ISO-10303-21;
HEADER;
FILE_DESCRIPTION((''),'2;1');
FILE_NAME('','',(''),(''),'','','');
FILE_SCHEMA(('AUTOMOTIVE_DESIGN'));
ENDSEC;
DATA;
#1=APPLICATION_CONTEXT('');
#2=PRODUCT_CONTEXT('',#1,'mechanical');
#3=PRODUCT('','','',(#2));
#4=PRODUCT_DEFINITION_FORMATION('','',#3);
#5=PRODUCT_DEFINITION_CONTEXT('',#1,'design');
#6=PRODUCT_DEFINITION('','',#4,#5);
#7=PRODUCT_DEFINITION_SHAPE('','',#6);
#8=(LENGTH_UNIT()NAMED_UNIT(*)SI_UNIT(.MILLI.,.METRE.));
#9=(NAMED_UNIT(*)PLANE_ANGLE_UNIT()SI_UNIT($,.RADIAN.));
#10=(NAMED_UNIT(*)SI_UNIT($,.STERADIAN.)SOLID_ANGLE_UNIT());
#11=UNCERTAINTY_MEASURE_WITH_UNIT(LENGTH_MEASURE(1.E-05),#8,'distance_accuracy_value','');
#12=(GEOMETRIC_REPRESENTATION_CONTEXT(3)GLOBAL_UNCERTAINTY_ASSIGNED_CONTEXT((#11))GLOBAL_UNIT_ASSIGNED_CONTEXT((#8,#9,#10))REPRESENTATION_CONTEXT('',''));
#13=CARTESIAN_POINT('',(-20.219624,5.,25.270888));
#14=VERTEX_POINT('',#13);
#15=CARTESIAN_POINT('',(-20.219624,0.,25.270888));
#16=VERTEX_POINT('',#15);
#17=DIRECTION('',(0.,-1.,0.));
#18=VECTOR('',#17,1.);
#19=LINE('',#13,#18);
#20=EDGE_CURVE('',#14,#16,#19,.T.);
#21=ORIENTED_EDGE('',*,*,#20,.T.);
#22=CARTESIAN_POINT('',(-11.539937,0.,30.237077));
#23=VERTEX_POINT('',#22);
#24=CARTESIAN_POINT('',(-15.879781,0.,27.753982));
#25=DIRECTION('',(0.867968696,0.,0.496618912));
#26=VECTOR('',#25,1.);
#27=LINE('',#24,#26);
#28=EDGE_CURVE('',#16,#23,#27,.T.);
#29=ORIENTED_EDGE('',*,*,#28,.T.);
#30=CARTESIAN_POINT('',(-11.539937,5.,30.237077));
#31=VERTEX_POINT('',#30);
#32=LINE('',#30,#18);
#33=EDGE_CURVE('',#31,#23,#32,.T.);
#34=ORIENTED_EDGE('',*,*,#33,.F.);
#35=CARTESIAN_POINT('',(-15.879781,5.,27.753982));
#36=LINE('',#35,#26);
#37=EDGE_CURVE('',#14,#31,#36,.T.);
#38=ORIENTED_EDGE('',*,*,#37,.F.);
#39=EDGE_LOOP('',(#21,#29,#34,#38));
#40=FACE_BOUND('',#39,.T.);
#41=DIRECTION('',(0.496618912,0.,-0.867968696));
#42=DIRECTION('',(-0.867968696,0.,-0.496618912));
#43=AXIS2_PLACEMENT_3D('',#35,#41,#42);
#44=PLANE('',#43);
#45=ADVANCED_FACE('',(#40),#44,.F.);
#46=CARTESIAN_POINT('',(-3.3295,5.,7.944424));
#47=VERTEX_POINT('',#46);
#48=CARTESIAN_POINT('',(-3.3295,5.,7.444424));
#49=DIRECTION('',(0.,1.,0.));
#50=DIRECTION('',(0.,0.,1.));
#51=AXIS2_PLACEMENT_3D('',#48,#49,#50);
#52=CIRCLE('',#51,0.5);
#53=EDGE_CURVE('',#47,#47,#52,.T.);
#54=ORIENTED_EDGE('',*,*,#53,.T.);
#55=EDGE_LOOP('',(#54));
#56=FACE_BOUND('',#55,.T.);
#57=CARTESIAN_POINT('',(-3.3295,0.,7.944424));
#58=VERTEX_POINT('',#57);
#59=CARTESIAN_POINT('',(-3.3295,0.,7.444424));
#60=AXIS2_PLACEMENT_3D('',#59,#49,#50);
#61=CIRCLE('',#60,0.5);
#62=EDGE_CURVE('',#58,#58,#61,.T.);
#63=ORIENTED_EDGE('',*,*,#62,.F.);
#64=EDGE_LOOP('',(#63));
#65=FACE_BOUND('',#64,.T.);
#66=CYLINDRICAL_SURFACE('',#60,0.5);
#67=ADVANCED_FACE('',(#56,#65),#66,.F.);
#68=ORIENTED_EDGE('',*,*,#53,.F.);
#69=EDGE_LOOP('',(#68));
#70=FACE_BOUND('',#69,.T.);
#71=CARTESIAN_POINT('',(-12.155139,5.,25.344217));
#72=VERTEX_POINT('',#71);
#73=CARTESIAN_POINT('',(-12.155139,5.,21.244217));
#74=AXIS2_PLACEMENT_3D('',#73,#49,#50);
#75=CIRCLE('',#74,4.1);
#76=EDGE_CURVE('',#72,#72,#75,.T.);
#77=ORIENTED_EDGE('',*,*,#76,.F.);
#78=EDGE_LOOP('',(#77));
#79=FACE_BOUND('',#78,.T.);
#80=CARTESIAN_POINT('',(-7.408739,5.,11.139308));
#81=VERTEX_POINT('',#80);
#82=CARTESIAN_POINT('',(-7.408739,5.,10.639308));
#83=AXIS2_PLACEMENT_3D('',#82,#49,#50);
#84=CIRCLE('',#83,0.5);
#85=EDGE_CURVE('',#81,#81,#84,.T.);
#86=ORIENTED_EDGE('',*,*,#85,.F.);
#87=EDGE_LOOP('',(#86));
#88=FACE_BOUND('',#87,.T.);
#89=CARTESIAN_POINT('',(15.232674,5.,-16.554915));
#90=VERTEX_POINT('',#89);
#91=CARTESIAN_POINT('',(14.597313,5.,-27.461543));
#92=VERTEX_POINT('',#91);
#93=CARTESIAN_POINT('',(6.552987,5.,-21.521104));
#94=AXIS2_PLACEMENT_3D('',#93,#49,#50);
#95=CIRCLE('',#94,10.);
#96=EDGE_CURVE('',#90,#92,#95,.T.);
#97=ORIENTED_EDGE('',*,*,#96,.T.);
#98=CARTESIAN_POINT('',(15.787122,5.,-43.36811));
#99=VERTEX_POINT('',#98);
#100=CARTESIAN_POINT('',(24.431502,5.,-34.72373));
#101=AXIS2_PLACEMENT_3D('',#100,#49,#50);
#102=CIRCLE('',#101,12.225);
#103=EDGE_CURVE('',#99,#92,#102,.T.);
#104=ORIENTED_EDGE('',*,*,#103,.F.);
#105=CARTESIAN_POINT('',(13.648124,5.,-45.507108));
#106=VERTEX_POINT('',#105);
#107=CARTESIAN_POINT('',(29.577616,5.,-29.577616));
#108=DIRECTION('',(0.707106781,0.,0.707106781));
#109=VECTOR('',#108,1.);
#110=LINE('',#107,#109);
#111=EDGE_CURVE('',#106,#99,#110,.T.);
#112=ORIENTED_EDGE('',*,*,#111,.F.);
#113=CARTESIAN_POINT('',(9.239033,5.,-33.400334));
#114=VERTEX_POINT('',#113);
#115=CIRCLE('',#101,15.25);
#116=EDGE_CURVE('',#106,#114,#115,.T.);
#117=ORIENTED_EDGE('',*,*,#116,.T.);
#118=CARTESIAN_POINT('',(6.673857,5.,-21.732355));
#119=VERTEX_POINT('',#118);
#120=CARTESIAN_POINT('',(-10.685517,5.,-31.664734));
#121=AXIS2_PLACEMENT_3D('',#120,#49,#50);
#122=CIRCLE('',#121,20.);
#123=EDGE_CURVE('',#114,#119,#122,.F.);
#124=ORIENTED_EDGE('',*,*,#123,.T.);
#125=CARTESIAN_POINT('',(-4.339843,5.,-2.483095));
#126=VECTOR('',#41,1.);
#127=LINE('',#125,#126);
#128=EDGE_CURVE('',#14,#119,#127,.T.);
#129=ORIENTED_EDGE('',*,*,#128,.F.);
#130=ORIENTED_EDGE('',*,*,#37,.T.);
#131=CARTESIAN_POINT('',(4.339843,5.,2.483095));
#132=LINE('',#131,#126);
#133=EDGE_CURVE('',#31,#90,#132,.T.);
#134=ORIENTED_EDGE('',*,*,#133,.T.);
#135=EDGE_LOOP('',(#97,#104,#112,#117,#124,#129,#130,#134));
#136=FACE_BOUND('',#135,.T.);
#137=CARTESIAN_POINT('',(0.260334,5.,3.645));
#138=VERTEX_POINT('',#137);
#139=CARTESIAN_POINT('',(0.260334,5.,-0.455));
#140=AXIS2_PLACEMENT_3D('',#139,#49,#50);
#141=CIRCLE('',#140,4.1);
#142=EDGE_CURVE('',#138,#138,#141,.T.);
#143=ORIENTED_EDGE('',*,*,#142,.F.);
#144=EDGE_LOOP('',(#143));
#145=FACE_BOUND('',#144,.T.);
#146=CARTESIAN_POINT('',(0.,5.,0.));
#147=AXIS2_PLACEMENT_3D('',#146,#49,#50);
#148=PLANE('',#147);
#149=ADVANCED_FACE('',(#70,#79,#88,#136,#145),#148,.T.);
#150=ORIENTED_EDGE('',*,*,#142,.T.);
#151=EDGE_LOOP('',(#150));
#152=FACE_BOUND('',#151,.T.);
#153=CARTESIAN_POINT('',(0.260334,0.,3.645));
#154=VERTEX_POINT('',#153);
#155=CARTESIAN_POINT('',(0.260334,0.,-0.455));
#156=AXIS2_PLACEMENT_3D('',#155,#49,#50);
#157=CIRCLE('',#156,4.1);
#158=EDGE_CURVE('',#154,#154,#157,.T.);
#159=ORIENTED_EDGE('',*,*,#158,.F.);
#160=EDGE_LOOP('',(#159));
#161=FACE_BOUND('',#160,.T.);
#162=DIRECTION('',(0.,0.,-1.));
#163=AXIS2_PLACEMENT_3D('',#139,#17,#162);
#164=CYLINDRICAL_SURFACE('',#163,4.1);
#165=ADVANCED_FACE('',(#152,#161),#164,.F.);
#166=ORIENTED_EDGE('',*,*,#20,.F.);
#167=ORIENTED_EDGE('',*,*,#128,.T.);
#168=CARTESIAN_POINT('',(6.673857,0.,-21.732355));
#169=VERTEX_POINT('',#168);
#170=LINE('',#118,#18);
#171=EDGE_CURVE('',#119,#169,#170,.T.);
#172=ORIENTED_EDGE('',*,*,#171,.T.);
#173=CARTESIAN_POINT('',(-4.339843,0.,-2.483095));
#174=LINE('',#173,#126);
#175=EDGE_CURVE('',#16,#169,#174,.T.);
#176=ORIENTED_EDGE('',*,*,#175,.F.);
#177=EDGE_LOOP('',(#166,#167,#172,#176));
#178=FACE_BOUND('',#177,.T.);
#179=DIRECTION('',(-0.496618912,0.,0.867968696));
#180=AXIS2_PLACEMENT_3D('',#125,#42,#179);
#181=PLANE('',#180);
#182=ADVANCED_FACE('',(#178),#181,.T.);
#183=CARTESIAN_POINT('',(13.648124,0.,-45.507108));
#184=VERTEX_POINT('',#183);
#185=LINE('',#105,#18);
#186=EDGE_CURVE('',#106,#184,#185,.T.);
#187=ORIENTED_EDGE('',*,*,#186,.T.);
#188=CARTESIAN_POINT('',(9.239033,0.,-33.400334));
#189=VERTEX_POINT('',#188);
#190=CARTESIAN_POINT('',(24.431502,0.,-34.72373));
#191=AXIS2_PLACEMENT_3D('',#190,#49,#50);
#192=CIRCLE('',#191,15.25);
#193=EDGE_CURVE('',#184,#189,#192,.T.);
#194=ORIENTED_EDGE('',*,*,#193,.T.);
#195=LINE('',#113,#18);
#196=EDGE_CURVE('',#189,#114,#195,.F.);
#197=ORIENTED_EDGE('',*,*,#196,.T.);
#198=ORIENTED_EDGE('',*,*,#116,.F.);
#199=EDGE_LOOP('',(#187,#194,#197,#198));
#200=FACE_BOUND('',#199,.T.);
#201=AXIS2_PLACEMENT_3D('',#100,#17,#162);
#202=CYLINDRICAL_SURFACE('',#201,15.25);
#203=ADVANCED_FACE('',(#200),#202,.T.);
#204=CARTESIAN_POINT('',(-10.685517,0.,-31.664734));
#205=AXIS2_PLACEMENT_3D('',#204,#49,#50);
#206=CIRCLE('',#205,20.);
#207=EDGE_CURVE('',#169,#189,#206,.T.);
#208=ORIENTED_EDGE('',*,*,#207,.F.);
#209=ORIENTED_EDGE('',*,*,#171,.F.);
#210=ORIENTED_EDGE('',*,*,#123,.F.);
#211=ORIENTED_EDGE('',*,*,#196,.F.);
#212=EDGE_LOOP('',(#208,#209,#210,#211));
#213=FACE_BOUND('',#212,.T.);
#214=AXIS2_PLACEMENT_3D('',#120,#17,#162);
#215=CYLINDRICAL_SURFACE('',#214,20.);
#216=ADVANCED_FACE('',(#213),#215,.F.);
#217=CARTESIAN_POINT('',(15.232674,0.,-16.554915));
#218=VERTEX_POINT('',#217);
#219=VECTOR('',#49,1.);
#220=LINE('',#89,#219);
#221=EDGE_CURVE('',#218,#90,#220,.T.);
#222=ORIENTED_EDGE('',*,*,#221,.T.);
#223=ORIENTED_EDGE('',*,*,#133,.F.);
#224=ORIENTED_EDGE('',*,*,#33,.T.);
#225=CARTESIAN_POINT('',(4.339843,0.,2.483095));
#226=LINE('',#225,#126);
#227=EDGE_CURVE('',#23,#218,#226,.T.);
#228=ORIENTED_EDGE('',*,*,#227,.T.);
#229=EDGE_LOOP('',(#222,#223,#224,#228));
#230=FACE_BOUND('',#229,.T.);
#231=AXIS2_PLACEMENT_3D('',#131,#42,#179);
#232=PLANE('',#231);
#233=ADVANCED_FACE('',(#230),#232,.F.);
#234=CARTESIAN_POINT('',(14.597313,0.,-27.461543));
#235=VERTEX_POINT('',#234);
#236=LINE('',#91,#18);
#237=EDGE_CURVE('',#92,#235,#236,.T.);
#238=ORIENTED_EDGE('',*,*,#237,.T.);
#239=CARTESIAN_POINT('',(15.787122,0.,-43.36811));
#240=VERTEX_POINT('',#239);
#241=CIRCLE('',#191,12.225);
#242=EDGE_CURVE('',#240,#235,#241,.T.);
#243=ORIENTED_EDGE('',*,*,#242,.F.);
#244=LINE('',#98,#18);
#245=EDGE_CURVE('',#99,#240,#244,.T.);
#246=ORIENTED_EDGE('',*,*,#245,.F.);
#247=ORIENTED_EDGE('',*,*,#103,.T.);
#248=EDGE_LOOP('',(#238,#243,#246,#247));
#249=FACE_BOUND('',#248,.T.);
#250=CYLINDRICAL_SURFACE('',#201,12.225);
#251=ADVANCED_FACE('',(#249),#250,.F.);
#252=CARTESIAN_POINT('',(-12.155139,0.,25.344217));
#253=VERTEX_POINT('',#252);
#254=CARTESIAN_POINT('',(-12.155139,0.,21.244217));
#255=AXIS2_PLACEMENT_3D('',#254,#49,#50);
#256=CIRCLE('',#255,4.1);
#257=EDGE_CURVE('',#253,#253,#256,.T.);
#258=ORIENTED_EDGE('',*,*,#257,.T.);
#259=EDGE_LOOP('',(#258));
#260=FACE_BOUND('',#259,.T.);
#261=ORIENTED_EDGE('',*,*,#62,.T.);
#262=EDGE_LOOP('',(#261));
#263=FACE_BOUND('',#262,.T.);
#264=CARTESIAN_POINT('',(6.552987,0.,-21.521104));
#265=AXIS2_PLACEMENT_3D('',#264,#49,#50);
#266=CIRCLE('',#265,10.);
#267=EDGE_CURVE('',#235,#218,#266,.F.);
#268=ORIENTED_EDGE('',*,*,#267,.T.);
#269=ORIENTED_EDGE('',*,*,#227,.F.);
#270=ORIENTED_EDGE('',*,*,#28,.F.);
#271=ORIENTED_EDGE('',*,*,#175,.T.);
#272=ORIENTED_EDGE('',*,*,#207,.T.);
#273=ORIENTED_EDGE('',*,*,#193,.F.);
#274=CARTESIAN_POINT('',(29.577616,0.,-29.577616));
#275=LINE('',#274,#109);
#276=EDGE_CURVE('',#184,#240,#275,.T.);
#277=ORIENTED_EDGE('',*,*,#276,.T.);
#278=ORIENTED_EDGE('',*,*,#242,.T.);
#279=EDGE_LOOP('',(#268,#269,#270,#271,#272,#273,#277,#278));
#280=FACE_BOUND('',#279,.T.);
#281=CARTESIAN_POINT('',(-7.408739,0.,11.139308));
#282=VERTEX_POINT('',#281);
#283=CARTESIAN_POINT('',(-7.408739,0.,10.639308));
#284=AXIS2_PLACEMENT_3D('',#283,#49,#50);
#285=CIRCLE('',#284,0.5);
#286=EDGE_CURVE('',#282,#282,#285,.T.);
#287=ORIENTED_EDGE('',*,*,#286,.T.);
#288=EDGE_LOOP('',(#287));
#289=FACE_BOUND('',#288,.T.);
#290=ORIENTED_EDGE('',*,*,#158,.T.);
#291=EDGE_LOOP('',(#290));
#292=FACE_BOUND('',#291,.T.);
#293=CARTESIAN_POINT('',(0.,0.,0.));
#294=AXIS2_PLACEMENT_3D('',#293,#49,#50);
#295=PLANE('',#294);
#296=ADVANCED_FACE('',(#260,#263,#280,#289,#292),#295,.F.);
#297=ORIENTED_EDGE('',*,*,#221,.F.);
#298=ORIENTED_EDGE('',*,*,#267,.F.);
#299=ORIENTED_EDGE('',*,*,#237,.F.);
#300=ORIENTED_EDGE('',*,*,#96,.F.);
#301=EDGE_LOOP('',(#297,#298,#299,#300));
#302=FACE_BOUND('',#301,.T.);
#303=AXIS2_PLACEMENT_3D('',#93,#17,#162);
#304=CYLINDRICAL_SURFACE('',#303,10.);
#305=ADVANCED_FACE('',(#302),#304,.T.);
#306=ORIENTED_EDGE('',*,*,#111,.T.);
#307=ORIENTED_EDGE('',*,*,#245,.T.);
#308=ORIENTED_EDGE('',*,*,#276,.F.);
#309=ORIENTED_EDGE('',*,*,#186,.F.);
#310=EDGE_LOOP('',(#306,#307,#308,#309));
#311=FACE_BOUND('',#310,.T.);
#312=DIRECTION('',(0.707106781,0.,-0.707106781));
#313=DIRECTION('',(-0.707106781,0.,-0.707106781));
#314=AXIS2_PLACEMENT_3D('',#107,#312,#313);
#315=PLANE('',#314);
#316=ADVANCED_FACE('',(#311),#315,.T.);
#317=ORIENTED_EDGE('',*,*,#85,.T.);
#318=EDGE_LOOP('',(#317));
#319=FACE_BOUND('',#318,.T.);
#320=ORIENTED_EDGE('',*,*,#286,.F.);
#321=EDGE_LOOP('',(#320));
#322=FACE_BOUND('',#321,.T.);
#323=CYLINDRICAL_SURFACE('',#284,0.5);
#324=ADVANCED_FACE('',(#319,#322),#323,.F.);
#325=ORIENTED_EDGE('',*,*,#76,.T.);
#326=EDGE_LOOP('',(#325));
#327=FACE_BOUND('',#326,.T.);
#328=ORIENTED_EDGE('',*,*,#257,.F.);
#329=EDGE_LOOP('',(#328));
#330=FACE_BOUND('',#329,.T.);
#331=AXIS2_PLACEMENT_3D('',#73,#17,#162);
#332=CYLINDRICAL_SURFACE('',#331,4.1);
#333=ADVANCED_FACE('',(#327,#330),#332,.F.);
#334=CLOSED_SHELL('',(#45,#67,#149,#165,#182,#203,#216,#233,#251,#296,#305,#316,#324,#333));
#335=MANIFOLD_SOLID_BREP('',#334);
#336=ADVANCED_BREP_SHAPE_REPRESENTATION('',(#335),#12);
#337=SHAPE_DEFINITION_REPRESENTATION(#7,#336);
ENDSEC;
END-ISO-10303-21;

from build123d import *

# Parameters (mm, degrees)
SKETCH_2_R          = 4.1
EXTRUDE_1_DEPTH     = 5
FILLET_1_R          = 20
SKETCH_6_R          = 0.5
CUT_EXTRUDE_3_DEPTH = 51.047278583
FILLET_2_R          = 10


with BuildPart() as part:
    # ｽｹｯﾁ2 → ﾎﾞｽ - 押し出し1 (new body)
    with BuildSketch(Plane(origin=(0, 0, 0), x_dir=(1, 0, 0), z_dir=(0, 1, 0))):
        with BuildLine():
            Line((10.525449769, 28.464000424), (-20.21962407, -25.270887679))
            Line((-20.21962407, -25.270887679), (-11.539937113, -30.237076794))
            Line((-11.539937113, -30.237076794), (19.283832312, 23.635351995))
            ThreePointArc((19.283832312, 23.635351995), (12.394035574, 32.590650485), (15.787121591, 43.368110179))
            Line((15.787121591, 43.368110179), (13.648123578, 45.507108192))
            ThreePointArc((13.648123578, 45.507108192), (9.431206098, 37.472115328), (10.525449769, 28.464000424))
        make_face()
        with Locations(Location((-12.155138755, -21.244217019, 0), (0, 0, 270))):
            Circle(SKETCH_2_R, mode=Mode.SUBTRACT)
        with Locations(Location((0.260334032, 0.455000374, 0), (0, 0, 270))):
            Circle(SKETCH_2_R, mode=Mode.SUBTRACT)
    extrude(amount=EXTRUDE_1_DEPTH)

    # ﾌｨﾚｯﾄ1
    fillet_1_edges = [part.edges().sort_by_distance(p)[0] for p in [
        (10.525449769, 2.5, -28.464000424),
    ]]
    fillet(fillet_1_edges, radius=FILLET_1_R)

    # ｽｹｯﾁ6 → ｶｯﾄ - 押し出し3 (cut, through all)
    with BuildSketch(Plane(origin=(0, 5, 0), x_dir=(1, 0, 0), z_dir=(0, 1, 0))):
        with Locations(Location((-7.408738509, -10.639307665, 0), (0, 0, 270))):
            Circle(SKETCH_6_R)
        with Locations(Location((-3.329499593, -7.444424173, 0), (0, 0, 270))):
            Circle(SKETCH_6_R)
    extrude(amount=-CUT_EXTRUDE_3_DEPTH, mode=Mode.SUBTRACT)

    # ﾌｨﾚｯﾄ2
    fillet_2_edges = [part.edges().sort_by_distance(p)[0] for p in [
        (19.283832312, 2.5, -23.635351995),
    ]]
    fillet(fillet_2_edges, radius=FILLET_2_R)


solid = part.part
